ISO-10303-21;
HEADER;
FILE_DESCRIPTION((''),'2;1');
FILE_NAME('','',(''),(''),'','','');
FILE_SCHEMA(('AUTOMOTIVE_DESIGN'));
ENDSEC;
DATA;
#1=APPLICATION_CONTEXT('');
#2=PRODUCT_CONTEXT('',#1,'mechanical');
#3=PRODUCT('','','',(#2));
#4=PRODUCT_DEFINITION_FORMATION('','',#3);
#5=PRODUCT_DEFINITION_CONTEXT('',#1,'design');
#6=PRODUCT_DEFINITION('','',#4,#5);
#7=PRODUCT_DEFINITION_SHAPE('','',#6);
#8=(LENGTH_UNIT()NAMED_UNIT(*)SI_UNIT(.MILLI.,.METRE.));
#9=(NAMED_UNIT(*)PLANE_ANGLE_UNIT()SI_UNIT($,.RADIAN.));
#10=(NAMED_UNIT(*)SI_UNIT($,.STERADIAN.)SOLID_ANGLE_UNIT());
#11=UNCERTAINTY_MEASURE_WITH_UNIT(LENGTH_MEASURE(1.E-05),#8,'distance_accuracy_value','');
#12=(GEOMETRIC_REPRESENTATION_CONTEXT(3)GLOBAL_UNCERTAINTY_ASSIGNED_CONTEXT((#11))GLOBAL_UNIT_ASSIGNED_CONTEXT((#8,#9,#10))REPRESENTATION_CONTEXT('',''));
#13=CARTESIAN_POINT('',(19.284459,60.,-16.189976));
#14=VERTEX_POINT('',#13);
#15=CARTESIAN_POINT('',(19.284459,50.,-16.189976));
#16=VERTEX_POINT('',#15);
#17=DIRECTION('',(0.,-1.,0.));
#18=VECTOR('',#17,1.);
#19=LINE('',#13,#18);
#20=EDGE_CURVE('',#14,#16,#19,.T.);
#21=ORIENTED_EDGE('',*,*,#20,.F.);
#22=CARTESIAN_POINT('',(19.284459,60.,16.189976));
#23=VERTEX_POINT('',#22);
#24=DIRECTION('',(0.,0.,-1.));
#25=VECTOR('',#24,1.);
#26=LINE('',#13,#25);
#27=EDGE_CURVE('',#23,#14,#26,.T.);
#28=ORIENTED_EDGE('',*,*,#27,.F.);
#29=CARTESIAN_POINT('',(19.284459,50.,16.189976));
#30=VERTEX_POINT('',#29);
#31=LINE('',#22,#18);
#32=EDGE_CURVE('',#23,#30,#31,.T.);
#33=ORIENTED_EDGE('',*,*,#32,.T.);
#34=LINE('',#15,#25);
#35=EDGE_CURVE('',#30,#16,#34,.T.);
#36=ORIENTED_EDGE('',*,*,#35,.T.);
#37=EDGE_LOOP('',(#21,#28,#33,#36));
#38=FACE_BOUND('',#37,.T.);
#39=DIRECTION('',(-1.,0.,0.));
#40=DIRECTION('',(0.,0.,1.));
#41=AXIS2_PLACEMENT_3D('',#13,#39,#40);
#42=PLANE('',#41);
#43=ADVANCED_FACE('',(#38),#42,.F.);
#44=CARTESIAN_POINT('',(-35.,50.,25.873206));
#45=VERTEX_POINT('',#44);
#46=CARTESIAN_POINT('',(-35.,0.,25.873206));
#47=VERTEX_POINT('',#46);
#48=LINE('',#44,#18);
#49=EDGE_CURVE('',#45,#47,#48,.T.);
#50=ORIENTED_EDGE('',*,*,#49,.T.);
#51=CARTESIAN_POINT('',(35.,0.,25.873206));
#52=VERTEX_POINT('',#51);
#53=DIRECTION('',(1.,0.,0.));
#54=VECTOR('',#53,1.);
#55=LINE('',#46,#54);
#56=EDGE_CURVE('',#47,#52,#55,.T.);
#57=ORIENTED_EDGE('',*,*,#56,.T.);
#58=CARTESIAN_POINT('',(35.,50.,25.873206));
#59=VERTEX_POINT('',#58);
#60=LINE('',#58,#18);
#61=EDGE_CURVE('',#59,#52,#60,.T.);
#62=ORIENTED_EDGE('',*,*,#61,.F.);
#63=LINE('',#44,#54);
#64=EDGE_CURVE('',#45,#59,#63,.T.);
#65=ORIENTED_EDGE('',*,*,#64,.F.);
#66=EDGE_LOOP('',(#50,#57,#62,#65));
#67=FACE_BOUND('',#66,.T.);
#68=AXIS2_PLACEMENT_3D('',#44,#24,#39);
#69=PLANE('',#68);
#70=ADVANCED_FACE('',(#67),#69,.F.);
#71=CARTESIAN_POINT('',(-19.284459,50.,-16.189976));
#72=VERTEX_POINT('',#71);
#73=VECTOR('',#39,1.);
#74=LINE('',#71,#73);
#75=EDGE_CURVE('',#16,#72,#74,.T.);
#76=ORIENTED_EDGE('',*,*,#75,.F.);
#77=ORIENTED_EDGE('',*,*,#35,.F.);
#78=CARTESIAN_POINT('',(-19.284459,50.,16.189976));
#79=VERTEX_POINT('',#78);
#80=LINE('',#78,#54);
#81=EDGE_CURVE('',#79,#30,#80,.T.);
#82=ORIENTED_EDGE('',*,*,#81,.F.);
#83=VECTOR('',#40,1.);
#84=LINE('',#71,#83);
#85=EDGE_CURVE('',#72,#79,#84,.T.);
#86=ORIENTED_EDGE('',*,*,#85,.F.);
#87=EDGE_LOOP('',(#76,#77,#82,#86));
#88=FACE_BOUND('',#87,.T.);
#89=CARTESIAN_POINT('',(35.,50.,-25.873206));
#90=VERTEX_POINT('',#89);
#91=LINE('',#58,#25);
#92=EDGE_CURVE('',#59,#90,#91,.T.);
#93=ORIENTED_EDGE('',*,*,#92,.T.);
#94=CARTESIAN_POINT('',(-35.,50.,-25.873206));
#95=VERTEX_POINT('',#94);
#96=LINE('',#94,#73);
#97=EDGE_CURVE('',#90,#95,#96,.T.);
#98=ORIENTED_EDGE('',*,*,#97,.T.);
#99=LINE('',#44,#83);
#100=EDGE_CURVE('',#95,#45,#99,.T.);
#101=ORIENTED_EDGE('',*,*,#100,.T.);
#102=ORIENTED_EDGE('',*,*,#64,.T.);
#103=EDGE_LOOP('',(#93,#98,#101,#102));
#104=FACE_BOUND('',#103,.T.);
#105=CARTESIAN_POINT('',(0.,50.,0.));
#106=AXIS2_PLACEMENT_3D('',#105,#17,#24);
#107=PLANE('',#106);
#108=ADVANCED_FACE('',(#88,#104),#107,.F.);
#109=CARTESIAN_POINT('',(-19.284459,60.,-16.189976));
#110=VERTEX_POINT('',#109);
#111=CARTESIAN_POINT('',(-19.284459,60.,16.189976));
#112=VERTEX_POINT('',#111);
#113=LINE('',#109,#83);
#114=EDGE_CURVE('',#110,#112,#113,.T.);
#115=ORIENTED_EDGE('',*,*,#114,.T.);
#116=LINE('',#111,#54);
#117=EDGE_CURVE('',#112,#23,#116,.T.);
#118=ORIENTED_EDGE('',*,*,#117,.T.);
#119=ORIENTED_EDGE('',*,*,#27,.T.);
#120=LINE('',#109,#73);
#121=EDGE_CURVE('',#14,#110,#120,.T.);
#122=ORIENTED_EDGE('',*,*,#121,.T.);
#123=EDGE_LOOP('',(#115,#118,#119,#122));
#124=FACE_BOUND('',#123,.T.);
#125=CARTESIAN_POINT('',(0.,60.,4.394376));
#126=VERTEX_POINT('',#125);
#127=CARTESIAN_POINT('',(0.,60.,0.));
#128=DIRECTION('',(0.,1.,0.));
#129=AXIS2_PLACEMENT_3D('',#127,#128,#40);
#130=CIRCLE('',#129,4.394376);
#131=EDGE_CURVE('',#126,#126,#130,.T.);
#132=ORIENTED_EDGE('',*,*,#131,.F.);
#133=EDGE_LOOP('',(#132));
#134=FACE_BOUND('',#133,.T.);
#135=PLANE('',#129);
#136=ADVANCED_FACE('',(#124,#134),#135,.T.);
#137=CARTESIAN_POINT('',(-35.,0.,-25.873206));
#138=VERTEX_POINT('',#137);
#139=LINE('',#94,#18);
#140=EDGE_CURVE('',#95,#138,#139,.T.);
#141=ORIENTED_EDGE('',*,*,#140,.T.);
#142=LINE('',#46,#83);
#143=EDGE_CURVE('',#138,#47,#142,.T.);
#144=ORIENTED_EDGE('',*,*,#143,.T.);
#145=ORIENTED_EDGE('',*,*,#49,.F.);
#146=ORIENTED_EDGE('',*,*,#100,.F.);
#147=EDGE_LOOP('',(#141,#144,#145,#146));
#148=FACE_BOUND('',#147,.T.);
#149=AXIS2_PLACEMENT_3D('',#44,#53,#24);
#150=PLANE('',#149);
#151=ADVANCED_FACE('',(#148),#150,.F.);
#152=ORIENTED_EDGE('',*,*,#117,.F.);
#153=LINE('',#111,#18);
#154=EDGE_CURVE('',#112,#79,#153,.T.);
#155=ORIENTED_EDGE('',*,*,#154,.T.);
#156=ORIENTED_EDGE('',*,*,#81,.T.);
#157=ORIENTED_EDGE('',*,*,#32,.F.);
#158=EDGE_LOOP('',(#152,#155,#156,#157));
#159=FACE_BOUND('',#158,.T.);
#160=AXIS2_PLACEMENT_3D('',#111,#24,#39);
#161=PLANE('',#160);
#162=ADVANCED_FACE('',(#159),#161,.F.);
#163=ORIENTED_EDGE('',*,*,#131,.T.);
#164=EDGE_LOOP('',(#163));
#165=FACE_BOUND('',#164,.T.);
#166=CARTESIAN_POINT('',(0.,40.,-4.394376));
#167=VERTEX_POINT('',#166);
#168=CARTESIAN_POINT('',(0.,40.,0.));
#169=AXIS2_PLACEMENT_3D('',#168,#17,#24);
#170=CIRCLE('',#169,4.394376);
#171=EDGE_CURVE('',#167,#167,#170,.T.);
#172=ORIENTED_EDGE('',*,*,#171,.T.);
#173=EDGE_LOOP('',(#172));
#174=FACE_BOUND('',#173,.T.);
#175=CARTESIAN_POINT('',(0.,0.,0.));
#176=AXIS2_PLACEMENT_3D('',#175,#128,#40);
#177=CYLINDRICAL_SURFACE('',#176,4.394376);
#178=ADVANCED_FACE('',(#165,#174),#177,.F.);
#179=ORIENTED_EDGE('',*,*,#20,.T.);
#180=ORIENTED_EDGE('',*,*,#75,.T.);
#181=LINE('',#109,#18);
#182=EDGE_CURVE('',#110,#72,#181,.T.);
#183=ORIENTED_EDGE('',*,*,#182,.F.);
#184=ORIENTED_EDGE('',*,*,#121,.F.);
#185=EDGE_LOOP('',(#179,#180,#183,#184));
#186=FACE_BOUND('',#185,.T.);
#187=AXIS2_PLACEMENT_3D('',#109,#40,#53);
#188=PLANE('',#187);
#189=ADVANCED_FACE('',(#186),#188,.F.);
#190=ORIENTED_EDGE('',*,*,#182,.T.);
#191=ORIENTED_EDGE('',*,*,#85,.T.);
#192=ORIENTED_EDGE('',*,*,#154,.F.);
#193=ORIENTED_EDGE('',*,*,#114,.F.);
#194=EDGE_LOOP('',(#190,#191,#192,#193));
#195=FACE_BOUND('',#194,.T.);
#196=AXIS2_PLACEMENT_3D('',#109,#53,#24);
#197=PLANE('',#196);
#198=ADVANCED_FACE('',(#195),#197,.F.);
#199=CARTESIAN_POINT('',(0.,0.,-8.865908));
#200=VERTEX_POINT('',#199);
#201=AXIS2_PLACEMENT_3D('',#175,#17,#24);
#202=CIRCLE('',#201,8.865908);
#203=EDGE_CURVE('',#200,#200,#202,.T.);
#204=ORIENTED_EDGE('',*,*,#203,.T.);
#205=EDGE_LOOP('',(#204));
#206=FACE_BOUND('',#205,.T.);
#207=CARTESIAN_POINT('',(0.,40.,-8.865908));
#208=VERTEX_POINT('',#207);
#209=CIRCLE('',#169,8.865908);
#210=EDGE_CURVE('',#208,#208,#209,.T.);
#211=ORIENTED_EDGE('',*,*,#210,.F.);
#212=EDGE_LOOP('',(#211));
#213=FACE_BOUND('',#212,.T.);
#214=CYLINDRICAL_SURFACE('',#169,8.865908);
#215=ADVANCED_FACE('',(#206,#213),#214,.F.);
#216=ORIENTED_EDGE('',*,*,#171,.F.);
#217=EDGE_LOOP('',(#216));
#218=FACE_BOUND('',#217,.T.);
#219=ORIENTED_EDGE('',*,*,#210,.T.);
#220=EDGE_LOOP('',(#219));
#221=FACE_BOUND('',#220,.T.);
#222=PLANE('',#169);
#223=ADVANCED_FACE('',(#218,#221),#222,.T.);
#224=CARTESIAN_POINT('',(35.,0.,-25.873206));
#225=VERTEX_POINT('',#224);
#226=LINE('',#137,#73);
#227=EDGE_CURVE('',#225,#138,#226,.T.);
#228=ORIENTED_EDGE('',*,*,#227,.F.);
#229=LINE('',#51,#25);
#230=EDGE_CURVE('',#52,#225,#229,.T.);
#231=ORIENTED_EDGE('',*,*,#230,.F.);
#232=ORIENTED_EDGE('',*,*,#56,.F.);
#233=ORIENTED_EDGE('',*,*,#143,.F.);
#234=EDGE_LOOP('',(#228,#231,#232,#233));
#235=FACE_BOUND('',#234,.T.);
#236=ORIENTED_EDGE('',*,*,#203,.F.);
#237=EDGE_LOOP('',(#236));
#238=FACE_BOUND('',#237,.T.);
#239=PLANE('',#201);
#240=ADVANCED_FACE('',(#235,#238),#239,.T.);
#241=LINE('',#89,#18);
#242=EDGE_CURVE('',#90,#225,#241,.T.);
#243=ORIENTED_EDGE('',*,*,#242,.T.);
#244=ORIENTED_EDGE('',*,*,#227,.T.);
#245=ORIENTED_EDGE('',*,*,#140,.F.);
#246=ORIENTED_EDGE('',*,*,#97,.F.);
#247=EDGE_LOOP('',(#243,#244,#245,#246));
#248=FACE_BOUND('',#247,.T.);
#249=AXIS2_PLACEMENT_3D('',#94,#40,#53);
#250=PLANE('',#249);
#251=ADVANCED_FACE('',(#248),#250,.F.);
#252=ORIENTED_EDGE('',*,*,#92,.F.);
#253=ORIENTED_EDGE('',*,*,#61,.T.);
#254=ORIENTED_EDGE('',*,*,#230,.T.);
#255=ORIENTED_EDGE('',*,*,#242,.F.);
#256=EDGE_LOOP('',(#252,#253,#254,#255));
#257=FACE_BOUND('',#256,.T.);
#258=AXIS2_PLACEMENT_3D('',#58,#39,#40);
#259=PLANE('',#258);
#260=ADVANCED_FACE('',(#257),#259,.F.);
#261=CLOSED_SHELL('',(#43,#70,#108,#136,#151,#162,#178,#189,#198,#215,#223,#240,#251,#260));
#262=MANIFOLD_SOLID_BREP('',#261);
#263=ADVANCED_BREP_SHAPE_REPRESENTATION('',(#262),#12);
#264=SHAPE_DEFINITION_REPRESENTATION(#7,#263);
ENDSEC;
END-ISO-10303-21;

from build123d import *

# Parameters (mm, degrees)
SKETCH3_W           = 70
SKETCH3_H           = 51.746411484
BOSS_EXTRUDE4_DEPTH = 50
SKETCH5_W           = 38.568917084
SKETCH5_H           = 32.379951318
BOSS_EXTRUDE5_DEPTH = 10
SKETCH6_R           = 8.865907929
CUT_EXTRUDE1_DEPTH  = 40
SKETCH7_R           = 2.54163754
CUT_EXTRUDE2_DEPTH  = 5
SKETCH8_R           = 4.394376148
CUT_EXTRUDE3_DEPTH  = 61


with BuildPart() as part:
    # Sketch3 → Boss-Extrude4 (new body)
    with BuildSketch(Plane(origin=(0, 0, 0), x_dir=(1, 0, 0), z_dir=(0, 1, 0))):
        Rectangle(SKETCH3_W, SKETCH3_H)
    extrude(amount=BOSS_EXTRUDE4_DEPTH)

    # Sketch5 → Boss-Extrude5 (add)
    with BuildSketch(Plane(origin=(0, 50, 0), x_dir=(1, 0, 0), z_dir=(0, 1, 0))):
        Rectangle(SKETCH5_W, SKETCH5_H)
    extrude(amount=BOSS_EXTRUDE5_DEPTH)

    # Sketch6 → Cut-Extrude1 (cut)
    with BuildSketch(Plane.XZ):
        Circle(SKETCH6_R)
    extrude(amount=-CUT_EXTRUDE1_DEPTH, mode=Mode.SUBTRACT)

    # Sketch7 → Cut-Extrude2 (cut)
    with BuildSketch(Plane.XZ.offset(-40)):
        Circle(SKETCH7_R)
    extrude(amount=-CUT_EXTRUDE2_DEPTH, mode=Mode.SUBTRACT)

    # Sketch8 → Cut-Extrude3 (cut, through all)
    with BuildSketch(Plane(origin=(0, 60, 0), x_dir=(1, 0, 0), z_dir=(0, 1, 0))):
        Circle(SKETCH8_R)
    extrude(amount=-CUT_EXTRUDE3_DEPTH, mode=Mode.SUBTRACT)


solid = part.part
